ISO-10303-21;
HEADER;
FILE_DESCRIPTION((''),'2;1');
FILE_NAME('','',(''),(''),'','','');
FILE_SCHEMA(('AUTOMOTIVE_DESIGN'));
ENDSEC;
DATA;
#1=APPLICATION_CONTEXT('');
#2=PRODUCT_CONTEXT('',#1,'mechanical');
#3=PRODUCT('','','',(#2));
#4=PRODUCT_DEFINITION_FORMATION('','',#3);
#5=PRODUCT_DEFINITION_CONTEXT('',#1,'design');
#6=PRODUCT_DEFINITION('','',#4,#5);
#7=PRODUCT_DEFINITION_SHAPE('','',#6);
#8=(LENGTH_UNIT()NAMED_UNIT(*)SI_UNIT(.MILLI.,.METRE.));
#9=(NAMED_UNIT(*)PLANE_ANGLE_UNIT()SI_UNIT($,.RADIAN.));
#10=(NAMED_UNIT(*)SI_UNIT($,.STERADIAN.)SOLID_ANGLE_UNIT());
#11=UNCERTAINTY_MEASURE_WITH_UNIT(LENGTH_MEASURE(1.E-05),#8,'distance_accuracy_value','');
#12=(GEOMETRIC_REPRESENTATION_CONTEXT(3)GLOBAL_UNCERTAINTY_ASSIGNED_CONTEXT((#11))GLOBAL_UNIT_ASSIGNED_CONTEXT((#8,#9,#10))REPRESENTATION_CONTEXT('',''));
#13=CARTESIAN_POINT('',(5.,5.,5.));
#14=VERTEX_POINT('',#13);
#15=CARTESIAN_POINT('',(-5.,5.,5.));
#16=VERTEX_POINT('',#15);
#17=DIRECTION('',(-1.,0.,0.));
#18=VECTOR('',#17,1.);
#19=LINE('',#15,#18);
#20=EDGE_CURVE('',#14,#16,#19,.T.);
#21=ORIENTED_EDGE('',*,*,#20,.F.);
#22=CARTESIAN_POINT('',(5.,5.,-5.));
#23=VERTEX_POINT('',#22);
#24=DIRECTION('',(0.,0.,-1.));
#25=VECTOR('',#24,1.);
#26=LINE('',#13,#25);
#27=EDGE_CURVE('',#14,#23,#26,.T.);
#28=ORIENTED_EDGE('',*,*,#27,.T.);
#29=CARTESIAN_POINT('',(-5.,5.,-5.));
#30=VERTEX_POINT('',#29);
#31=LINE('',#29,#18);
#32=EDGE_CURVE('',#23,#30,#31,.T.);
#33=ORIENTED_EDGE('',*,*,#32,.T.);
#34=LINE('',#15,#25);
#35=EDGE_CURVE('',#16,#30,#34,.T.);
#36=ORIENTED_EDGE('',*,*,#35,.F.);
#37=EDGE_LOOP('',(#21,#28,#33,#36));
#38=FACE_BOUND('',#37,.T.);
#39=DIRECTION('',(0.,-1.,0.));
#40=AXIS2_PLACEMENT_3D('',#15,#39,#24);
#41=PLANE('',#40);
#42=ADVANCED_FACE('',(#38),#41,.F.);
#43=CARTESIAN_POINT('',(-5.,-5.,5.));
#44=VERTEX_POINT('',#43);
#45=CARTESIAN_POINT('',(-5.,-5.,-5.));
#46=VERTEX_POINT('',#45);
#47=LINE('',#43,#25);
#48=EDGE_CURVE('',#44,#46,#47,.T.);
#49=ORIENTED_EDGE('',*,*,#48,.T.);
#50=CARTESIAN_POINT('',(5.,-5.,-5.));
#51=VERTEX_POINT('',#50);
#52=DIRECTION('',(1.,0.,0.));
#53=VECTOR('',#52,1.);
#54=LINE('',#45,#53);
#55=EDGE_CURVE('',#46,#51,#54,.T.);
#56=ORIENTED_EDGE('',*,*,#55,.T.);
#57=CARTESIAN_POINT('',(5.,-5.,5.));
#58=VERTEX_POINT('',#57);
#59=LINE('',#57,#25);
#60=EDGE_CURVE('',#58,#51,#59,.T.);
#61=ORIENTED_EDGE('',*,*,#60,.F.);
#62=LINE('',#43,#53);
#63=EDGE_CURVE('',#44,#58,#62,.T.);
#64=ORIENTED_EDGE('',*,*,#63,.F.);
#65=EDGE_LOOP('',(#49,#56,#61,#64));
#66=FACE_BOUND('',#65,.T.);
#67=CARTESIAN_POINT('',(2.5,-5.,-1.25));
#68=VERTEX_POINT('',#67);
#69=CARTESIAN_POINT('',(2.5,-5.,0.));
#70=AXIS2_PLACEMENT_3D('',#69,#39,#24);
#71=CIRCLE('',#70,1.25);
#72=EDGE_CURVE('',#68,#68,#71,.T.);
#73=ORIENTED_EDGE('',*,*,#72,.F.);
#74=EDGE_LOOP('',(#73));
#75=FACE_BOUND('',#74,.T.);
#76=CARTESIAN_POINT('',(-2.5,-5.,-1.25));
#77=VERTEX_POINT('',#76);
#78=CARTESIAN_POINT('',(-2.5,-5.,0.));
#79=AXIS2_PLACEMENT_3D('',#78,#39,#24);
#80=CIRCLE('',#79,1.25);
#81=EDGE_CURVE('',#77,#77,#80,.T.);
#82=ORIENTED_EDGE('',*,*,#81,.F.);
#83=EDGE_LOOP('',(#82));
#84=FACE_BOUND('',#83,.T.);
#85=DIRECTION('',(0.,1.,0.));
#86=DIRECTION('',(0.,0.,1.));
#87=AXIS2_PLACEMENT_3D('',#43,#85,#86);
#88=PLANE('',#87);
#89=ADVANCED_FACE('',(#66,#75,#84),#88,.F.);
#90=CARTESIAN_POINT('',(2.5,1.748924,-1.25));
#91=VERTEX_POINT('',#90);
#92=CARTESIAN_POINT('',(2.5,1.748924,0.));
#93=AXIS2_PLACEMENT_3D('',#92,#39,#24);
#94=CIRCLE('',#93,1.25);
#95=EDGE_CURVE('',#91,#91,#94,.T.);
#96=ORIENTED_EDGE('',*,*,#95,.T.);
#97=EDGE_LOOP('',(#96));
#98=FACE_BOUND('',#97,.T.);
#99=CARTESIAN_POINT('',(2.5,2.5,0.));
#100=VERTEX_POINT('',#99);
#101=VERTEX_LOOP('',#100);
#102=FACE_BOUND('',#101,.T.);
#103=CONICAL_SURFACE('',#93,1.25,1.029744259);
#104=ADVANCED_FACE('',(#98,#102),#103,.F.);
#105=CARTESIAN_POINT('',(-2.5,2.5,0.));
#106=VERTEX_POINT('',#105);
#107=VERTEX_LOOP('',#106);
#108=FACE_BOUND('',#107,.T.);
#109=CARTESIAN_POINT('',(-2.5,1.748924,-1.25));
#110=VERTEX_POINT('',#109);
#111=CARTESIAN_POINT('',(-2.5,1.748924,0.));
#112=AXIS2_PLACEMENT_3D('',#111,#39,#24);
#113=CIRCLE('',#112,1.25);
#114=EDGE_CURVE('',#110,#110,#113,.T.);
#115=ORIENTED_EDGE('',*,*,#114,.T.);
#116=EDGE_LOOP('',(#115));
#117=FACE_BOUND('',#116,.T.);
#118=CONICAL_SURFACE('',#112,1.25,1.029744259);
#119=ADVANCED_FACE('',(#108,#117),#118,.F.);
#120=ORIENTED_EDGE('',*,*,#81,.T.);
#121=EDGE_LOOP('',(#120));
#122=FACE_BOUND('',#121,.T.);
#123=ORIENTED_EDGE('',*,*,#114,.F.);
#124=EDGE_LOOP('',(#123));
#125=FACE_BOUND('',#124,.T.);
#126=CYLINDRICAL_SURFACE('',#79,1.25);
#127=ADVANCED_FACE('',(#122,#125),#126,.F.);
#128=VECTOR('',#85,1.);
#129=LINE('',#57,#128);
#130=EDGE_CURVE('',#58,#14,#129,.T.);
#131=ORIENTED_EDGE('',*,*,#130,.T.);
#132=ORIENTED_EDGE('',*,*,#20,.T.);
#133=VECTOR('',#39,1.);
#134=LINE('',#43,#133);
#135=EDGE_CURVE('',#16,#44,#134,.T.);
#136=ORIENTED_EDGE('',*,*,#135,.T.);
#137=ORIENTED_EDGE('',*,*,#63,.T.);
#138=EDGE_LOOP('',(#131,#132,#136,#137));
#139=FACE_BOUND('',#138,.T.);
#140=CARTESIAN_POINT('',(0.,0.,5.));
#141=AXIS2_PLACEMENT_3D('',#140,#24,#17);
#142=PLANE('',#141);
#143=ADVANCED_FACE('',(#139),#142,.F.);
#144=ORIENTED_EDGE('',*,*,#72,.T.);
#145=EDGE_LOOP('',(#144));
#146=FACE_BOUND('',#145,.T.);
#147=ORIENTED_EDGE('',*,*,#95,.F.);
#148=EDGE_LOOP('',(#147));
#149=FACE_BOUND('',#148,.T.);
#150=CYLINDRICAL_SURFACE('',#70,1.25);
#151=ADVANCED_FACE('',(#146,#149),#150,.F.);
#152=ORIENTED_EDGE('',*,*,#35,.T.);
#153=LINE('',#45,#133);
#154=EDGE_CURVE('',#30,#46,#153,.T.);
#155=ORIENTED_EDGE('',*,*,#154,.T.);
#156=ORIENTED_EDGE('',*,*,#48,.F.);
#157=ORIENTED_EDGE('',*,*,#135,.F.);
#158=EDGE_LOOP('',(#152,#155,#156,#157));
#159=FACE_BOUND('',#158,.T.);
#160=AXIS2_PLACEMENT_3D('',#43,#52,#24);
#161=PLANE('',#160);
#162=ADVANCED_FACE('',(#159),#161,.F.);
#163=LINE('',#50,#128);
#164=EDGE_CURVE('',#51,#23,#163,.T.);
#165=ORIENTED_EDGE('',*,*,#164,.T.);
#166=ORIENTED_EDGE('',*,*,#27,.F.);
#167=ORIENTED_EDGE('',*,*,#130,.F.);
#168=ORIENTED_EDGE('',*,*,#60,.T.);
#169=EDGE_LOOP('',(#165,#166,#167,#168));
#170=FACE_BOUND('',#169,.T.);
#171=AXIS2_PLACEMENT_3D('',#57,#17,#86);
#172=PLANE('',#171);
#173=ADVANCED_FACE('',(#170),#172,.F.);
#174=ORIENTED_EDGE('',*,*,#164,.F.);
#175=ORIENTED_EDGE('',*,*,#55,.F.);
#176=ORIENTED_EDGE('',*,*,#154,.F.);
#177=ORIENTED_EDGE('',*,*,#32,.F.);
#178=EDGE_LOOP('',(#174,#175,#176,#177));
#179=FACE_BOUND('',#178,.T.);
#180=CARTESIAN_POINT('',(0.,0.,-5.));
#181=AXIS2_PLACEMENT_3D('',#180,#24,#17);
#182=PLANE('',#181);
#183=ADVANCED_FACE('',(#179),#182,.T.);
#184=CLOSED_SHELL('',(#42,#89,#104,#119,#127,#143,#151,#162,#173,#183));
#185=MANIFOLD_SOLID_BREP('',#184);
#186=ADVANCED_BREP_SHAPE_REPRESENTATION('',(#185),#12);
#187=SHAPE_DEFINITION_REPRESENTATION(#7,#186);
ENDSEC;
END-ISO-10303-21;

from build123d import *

# Parameters (mm, degrees)
SKETCH1_W                 = 10
SKETCH1_H                 = 10
BOSS_EXTRUDE1_DEPTH       = 5
M3X0_5_TAPPED_HOLE1_D     = 2.5
M3X0_5_TAPPED_HOLE1_DEPTH = 6.748924226
M3X0_5_TAPPED_HOLE1_TIP   = 0.751075774


with BuildPart() as part:
    # Sketch1 → Boss-Extrude1 (new body, symmetric)
    with BuildSketch(Plane.XY):
        Rectangle(SKETCH1_W, SKETCH1_H)
    extrude(amount=BOSS_EXTRUDE1_DEPTH, both=True)

    # M3x0.5 Tapped Hole1
    with Locations(Plane(origin=(0, -5, 0), x_dir=(-1, 0, 0), z_dir=(0, -1, 0))):
        with Locations((-2.5, 0), (2.5, 0)):
            Hole(M3X0_5_TAPPED_HOLE1_D / 2, depth=M3X0_5_TAPPED_HOLE1_DEPTH)
            with Locations((0, 0, -(M3X0_5_TAPPED_HOLE1_DEPTH + M3X0_5_TAPPED_HOLE1_TIP / 2))):  # 118° drill point
                Cone(0, M3X0_5_TAPPED_HOLE1_D / 2, M3X0_5_TAPPED_HOLE1_TIP, mode=Mode.SUBTRACT)


solid = part.part
